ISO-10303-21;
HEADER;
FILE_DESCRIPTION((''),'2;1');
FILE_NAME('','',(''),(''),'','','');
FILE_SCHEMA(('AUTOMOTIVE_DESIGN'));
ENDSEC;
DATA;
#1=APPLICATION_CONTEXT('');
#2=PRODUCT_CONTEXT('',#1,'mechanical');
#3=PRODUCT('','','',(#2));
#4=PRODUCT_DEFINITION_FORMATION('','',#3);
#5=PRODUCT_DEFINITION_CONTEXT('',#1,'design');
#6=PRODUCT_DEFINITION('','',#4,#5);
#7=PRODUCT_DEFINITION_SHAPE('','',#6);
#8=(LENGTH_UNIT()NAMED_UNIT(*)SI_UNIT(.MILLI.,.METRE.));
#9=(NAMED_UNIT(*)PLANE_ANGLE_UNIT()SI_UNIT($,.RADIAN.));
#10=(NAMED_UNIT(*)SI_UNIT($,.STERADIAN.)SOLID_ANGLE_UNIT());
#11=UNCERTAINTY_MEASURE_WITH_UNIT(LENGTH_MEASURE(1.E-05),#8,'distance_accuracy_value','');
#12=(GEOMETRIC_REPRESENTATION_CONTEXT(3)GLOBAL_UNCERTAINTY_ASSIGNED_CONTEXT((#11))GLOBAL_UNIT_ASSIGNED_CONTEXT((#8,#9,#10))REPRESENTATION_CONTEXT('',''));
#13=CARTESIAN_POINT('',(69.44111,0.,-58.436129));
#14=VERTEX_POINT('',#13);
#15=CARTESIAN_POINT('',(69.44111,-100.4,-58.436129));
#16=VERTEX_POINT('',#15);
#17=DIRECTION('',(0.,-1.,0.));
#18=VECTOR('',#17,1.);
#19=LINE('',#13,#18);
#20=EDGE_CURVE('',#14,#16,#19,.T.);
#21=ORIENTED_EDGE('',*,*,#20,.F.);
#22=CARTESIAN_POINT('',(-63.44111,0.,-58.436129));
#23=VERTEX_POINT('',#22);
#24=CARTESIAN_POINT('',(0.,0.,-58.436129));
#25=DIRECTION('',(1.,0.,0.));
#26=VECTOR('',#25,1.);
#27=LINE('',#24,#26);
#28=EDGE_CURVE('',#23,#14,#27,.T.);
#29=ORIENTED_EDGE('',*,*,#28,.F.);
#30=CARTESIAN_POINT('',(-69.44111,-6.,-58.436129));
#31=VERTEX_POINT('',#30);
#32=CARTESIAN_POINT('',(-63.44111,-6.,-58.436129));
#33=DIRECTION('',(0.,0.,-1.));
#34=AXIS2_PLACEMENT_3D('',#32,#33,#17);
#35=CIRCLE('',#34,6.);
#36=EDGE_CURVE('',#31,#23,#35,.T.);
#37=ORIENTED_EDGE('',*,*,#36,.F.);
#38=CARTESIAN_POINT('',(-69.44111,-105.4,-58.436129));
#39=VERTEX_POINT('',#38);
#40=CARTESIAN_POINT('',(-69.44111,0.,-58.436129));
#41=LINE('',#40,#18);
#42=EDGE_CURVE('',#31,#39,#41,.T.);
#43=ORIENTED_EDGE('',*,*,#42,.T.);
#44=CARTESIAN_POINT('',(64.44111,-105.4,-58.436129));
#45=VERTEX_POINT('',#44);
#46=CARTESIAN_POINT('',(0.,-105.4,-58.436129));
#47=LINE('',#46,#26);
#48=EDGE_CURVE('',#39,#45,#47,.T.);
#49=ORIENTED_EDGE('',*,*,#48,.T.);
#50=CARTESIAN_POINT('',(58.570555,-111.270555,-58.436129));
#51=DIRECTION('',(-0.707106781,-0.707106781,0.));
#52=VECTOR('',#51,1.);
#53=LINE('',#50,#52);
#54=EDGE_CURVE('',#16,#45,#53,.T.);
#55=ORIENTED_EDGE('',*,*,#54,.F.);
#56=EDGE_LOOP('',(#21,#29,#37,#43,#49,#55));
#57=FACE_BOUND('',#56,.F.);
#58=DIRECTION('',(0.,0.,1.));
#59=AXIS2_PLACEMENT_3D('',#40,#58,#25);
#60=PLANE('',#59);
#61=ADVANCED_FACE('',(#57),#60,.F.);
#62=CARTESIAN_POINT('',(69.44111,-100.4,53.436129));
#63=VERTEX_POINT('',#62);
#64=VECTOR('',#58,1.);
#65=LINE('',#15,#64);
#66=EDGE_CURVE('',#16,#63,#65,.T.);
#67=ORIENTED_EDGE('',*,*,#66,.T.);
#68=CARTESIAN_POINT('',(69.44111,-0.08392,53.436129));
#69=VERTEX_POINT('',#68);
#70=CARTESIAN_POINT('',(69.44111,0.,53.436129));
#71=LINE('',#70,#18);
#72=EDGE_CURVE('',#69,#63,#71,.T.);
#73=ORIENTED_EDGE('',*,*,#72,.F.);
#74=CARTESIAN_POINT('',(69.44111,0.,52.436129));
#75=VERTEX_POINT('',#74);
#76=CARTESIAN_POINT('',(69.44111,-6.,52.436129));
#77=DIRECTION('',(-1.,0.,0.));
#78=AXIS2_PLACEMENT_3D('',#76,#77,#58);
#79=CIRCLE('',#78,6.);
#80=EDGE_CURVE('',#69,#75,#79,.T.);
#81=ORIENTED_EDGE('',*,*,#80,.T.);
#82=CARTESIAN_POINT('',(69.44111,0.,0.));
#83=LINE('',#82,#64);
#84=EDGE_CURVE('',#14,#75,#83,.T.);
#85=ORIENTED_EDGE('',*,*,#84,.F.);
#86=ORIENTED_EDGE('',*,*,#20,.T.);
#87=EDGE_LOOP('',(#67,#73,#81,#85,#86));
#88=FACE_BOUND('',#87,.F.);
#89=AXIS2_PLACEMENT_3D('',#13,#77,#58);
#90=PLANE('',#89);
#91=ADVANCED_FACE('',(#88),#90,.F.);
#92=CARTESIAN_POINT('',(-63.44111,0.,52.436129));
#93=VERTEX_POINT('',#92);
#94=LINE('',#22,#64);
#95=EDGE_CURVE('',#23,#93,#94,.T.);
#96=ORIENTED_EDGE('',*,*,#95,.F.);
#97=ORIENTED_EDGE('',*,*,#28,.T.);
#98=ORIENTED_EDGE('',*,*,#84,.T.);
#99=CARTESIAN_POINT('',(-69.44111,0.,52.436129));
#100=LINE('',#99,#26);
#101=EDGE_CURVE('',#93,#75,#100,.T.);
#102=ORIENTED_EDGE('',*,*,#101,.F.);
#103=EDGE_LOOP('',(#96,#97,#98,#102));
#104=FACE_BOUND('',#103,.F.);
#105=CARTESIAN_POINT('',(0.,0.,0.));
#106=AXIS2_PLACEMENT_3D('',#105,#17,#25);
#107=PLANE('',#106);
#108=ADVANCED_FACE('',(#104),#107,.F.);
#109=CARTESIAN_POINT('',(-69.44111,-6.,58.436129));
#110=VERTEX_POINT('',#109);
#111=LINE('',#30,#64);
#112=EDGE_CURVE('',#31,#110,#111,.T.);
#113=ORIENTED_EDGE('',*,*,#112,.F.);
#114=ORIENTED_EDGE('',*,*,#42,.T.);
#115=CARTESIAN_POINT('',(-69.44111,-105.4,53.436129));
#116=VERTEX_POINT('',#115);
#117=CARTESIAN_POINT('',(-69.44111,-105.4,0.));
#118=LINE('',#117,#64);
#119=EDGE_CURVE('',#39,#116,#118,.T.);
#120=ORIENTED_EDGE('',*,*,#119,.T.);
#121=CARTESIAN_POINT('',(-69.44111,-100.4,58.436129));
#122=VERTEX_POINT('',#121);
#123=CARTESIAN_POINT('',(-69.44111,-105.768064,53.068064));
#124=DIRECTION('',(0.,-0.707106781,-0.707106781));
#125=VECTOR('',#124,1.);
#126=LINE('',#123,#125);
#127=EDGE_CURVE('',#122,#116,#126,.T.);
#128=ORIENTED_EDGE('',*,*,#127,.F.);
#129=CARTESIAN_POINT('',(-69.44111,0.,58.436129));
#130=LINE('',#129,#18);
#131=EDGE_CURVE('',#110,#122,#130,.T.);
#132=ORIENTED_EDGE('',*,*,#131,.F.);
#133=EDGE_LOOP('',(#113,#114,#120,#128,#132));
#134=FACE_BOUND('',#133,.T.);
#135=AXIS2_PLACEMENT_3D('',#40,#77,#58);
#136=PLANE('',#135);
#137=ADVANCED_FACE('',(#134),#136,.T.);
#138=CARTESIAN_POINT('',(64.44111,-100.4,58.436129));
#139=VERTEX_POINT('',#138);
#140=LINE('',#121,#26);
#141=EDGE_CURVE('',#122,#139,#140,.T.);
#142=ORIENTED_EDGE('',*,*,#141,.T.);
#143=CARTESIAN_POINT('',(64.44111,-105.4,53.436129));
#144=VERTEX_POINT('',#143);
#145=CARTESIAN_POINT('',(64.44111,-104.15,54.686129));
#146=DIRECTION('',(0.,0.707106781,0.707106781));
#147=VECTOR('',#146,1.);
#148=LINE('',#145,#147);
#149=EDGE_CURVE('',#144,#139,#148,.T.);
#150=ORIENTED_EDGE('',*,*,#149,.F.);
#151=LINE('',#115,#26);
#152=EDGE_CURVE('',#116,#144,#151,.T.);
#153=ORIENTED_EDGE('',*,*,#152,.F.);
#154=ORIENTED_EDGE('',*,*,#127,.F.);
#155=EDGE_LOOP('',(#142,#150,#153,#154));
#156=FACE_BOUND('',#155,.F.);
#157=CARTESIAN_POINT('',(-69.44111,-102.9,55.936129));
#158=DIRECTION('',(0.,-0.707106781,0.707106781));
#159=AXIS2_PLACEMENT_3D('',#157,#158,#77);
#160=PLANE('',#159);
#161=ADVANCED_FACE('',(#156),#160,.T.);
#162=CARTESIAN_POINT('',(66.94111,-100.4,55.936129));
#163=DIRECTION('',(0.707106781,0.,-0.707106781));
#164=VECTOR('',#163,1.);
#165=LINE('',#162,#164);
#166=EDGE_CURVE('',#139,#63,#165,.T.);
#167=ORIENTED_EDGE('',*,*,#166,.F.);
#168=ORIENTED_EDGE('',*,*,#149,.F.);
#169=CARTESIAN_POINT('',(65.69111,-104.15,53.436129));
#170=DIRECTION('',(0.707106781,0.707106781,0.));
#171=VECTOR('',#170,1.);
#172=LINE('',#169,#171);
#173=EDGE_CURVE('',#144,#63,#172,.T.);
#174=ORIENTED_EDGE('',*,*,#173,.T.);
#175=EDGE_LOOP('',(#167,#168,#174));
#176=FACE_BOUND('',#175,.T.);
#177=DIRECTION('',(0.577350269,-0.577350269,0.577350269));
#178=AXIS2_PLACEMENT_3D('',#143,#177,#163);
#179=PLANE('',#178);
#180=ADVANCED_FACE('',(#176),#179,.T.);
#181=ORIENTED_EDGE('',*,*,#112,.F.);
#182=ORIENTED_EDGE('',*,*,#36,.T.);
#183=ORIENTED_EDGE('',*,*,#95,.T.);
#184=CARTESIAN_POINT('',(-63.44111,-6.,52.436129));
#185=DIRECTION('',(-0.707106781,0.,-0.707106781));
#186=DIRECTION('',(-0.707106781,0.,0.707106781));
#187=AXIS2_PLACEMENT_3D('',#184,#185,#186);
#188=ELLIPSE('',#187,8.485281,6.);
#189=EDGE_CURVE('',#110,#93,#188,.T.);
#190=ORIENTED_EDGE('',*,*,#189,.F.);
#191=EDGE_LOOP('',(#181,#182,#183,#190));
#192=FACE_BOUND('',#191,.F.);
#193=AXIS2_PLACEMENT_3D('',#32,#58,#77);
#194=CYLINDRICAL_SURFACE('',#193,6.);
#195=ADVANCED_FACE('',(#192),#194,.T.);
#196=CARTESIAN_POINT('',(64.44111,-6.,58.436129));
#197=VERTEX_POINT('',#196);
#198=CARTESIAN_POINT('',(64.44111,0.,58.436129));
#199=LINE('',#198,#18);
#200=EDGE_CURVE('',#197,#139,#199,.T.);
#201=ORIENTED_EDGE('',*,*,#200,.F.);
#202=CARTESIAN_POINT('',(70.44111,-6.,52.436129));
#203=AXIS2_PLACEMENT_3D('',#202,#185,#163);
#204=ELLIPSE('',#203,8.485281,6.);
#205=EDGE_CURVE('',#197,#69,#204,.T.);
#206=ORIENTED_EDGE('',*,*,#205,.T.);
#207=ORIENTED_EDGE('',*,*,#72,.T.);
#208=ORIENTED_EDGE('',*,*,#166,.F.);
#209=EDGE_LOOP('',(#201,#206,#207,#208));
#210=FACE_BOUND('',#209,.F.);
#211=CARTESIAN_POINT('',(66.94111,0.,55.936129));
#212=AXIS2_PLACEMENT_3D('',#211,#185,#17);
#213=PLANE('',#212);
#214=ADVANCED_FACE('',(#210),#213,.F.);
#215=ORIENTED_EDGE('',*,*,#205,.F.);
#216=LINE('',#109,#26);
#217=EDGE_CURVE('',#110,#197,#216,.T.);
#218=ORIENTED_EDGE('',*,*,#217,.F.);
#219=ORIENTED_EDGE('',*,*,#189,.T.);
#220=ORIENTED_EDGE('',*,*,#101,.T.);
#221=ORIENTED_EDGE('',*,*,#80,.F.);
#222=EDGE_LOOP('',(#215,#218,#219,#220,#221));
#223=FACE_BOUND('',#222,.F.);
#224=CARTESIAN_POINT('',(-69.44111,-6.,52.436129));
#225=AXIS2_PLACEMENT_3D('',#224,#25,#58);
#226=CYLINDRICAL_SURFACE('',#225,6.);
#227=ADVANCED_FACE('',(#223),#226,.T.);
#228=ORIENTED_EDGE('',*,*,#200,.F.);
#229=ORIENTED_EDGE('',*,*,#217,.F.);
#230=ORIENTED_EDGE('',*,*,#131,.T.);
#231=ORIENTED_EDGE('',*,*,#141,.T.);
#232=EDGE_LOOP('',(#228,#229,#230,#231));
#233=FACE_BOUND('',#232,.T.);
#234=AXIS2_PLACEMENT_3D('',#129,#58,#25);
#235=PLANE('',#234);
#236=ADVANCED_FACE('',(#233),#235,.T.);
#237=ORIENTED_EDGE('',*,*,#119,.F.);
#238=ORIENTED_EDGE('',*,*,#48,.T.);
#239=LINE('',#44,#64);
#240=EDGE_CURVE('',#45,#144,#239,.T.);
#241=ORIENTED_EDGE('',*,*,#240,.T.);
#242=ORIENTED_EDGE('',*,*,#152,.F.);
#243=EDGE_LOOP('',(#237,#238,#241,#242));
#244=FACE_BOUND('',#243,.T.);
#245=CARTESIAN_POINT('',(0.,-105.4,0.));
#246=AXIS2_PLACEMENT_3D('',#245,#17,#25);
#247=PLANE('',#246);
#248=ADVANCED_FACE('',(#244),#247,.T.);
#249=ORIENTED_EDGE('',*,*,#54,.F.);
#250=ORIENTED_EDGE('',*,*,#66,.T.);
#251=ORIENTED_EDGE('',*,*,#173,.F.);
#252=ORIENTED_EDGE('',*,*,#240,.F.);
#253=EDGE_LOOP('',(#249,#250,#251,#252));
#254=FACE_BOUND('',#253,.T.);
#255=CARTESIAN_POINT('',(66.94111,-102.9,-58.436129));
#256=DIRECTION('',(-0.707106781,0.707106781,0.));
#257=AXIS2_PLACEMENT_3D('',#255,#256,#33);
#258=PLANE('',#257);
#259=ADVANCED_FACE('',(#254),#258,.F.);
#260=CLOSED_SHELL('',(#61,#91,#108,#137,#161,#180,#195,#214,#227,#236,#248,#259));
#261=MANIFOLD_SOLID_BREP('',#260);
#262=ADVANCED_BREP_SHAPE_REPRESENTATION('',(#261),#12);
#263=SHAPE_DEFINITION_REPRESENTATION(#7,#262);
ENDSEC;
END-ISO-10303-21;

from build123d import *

# Parameters (mm, degrees)
F0_W     = 138.88222
F0_H     = 116.872258
F1_DEPTH = 105.4
F2_SIZE  = 5
F3_R     = 6


with BuildPart() as f1:
    # F0 (on Front) → F1 (new body)
    with BuildSketch(Plane.XZ):
        Rectangle(F0_W, F0_H)
    extrude(amount=F1_DEPTH)

    # F2
    f2_edges = [f1.edges().sort_by_distance(p)[0] for p in [
        (69.44111, -52.7, 58.436129),
        (0, -105.4, 58.436129),
        (69.44111, -105.4, 0),
    ]]
    chamfer(f2_edges, length=F2_SIZE)

    # F3
    f3_edges = [f1.edges().sort_by_distance(p)[0] for p in [
        (-69.44111, 0, 0),
        (-2.5, 0, 58.436129),
    ]]
    fillet(f3_edges, radius=F3_R)


solid = f1.part
